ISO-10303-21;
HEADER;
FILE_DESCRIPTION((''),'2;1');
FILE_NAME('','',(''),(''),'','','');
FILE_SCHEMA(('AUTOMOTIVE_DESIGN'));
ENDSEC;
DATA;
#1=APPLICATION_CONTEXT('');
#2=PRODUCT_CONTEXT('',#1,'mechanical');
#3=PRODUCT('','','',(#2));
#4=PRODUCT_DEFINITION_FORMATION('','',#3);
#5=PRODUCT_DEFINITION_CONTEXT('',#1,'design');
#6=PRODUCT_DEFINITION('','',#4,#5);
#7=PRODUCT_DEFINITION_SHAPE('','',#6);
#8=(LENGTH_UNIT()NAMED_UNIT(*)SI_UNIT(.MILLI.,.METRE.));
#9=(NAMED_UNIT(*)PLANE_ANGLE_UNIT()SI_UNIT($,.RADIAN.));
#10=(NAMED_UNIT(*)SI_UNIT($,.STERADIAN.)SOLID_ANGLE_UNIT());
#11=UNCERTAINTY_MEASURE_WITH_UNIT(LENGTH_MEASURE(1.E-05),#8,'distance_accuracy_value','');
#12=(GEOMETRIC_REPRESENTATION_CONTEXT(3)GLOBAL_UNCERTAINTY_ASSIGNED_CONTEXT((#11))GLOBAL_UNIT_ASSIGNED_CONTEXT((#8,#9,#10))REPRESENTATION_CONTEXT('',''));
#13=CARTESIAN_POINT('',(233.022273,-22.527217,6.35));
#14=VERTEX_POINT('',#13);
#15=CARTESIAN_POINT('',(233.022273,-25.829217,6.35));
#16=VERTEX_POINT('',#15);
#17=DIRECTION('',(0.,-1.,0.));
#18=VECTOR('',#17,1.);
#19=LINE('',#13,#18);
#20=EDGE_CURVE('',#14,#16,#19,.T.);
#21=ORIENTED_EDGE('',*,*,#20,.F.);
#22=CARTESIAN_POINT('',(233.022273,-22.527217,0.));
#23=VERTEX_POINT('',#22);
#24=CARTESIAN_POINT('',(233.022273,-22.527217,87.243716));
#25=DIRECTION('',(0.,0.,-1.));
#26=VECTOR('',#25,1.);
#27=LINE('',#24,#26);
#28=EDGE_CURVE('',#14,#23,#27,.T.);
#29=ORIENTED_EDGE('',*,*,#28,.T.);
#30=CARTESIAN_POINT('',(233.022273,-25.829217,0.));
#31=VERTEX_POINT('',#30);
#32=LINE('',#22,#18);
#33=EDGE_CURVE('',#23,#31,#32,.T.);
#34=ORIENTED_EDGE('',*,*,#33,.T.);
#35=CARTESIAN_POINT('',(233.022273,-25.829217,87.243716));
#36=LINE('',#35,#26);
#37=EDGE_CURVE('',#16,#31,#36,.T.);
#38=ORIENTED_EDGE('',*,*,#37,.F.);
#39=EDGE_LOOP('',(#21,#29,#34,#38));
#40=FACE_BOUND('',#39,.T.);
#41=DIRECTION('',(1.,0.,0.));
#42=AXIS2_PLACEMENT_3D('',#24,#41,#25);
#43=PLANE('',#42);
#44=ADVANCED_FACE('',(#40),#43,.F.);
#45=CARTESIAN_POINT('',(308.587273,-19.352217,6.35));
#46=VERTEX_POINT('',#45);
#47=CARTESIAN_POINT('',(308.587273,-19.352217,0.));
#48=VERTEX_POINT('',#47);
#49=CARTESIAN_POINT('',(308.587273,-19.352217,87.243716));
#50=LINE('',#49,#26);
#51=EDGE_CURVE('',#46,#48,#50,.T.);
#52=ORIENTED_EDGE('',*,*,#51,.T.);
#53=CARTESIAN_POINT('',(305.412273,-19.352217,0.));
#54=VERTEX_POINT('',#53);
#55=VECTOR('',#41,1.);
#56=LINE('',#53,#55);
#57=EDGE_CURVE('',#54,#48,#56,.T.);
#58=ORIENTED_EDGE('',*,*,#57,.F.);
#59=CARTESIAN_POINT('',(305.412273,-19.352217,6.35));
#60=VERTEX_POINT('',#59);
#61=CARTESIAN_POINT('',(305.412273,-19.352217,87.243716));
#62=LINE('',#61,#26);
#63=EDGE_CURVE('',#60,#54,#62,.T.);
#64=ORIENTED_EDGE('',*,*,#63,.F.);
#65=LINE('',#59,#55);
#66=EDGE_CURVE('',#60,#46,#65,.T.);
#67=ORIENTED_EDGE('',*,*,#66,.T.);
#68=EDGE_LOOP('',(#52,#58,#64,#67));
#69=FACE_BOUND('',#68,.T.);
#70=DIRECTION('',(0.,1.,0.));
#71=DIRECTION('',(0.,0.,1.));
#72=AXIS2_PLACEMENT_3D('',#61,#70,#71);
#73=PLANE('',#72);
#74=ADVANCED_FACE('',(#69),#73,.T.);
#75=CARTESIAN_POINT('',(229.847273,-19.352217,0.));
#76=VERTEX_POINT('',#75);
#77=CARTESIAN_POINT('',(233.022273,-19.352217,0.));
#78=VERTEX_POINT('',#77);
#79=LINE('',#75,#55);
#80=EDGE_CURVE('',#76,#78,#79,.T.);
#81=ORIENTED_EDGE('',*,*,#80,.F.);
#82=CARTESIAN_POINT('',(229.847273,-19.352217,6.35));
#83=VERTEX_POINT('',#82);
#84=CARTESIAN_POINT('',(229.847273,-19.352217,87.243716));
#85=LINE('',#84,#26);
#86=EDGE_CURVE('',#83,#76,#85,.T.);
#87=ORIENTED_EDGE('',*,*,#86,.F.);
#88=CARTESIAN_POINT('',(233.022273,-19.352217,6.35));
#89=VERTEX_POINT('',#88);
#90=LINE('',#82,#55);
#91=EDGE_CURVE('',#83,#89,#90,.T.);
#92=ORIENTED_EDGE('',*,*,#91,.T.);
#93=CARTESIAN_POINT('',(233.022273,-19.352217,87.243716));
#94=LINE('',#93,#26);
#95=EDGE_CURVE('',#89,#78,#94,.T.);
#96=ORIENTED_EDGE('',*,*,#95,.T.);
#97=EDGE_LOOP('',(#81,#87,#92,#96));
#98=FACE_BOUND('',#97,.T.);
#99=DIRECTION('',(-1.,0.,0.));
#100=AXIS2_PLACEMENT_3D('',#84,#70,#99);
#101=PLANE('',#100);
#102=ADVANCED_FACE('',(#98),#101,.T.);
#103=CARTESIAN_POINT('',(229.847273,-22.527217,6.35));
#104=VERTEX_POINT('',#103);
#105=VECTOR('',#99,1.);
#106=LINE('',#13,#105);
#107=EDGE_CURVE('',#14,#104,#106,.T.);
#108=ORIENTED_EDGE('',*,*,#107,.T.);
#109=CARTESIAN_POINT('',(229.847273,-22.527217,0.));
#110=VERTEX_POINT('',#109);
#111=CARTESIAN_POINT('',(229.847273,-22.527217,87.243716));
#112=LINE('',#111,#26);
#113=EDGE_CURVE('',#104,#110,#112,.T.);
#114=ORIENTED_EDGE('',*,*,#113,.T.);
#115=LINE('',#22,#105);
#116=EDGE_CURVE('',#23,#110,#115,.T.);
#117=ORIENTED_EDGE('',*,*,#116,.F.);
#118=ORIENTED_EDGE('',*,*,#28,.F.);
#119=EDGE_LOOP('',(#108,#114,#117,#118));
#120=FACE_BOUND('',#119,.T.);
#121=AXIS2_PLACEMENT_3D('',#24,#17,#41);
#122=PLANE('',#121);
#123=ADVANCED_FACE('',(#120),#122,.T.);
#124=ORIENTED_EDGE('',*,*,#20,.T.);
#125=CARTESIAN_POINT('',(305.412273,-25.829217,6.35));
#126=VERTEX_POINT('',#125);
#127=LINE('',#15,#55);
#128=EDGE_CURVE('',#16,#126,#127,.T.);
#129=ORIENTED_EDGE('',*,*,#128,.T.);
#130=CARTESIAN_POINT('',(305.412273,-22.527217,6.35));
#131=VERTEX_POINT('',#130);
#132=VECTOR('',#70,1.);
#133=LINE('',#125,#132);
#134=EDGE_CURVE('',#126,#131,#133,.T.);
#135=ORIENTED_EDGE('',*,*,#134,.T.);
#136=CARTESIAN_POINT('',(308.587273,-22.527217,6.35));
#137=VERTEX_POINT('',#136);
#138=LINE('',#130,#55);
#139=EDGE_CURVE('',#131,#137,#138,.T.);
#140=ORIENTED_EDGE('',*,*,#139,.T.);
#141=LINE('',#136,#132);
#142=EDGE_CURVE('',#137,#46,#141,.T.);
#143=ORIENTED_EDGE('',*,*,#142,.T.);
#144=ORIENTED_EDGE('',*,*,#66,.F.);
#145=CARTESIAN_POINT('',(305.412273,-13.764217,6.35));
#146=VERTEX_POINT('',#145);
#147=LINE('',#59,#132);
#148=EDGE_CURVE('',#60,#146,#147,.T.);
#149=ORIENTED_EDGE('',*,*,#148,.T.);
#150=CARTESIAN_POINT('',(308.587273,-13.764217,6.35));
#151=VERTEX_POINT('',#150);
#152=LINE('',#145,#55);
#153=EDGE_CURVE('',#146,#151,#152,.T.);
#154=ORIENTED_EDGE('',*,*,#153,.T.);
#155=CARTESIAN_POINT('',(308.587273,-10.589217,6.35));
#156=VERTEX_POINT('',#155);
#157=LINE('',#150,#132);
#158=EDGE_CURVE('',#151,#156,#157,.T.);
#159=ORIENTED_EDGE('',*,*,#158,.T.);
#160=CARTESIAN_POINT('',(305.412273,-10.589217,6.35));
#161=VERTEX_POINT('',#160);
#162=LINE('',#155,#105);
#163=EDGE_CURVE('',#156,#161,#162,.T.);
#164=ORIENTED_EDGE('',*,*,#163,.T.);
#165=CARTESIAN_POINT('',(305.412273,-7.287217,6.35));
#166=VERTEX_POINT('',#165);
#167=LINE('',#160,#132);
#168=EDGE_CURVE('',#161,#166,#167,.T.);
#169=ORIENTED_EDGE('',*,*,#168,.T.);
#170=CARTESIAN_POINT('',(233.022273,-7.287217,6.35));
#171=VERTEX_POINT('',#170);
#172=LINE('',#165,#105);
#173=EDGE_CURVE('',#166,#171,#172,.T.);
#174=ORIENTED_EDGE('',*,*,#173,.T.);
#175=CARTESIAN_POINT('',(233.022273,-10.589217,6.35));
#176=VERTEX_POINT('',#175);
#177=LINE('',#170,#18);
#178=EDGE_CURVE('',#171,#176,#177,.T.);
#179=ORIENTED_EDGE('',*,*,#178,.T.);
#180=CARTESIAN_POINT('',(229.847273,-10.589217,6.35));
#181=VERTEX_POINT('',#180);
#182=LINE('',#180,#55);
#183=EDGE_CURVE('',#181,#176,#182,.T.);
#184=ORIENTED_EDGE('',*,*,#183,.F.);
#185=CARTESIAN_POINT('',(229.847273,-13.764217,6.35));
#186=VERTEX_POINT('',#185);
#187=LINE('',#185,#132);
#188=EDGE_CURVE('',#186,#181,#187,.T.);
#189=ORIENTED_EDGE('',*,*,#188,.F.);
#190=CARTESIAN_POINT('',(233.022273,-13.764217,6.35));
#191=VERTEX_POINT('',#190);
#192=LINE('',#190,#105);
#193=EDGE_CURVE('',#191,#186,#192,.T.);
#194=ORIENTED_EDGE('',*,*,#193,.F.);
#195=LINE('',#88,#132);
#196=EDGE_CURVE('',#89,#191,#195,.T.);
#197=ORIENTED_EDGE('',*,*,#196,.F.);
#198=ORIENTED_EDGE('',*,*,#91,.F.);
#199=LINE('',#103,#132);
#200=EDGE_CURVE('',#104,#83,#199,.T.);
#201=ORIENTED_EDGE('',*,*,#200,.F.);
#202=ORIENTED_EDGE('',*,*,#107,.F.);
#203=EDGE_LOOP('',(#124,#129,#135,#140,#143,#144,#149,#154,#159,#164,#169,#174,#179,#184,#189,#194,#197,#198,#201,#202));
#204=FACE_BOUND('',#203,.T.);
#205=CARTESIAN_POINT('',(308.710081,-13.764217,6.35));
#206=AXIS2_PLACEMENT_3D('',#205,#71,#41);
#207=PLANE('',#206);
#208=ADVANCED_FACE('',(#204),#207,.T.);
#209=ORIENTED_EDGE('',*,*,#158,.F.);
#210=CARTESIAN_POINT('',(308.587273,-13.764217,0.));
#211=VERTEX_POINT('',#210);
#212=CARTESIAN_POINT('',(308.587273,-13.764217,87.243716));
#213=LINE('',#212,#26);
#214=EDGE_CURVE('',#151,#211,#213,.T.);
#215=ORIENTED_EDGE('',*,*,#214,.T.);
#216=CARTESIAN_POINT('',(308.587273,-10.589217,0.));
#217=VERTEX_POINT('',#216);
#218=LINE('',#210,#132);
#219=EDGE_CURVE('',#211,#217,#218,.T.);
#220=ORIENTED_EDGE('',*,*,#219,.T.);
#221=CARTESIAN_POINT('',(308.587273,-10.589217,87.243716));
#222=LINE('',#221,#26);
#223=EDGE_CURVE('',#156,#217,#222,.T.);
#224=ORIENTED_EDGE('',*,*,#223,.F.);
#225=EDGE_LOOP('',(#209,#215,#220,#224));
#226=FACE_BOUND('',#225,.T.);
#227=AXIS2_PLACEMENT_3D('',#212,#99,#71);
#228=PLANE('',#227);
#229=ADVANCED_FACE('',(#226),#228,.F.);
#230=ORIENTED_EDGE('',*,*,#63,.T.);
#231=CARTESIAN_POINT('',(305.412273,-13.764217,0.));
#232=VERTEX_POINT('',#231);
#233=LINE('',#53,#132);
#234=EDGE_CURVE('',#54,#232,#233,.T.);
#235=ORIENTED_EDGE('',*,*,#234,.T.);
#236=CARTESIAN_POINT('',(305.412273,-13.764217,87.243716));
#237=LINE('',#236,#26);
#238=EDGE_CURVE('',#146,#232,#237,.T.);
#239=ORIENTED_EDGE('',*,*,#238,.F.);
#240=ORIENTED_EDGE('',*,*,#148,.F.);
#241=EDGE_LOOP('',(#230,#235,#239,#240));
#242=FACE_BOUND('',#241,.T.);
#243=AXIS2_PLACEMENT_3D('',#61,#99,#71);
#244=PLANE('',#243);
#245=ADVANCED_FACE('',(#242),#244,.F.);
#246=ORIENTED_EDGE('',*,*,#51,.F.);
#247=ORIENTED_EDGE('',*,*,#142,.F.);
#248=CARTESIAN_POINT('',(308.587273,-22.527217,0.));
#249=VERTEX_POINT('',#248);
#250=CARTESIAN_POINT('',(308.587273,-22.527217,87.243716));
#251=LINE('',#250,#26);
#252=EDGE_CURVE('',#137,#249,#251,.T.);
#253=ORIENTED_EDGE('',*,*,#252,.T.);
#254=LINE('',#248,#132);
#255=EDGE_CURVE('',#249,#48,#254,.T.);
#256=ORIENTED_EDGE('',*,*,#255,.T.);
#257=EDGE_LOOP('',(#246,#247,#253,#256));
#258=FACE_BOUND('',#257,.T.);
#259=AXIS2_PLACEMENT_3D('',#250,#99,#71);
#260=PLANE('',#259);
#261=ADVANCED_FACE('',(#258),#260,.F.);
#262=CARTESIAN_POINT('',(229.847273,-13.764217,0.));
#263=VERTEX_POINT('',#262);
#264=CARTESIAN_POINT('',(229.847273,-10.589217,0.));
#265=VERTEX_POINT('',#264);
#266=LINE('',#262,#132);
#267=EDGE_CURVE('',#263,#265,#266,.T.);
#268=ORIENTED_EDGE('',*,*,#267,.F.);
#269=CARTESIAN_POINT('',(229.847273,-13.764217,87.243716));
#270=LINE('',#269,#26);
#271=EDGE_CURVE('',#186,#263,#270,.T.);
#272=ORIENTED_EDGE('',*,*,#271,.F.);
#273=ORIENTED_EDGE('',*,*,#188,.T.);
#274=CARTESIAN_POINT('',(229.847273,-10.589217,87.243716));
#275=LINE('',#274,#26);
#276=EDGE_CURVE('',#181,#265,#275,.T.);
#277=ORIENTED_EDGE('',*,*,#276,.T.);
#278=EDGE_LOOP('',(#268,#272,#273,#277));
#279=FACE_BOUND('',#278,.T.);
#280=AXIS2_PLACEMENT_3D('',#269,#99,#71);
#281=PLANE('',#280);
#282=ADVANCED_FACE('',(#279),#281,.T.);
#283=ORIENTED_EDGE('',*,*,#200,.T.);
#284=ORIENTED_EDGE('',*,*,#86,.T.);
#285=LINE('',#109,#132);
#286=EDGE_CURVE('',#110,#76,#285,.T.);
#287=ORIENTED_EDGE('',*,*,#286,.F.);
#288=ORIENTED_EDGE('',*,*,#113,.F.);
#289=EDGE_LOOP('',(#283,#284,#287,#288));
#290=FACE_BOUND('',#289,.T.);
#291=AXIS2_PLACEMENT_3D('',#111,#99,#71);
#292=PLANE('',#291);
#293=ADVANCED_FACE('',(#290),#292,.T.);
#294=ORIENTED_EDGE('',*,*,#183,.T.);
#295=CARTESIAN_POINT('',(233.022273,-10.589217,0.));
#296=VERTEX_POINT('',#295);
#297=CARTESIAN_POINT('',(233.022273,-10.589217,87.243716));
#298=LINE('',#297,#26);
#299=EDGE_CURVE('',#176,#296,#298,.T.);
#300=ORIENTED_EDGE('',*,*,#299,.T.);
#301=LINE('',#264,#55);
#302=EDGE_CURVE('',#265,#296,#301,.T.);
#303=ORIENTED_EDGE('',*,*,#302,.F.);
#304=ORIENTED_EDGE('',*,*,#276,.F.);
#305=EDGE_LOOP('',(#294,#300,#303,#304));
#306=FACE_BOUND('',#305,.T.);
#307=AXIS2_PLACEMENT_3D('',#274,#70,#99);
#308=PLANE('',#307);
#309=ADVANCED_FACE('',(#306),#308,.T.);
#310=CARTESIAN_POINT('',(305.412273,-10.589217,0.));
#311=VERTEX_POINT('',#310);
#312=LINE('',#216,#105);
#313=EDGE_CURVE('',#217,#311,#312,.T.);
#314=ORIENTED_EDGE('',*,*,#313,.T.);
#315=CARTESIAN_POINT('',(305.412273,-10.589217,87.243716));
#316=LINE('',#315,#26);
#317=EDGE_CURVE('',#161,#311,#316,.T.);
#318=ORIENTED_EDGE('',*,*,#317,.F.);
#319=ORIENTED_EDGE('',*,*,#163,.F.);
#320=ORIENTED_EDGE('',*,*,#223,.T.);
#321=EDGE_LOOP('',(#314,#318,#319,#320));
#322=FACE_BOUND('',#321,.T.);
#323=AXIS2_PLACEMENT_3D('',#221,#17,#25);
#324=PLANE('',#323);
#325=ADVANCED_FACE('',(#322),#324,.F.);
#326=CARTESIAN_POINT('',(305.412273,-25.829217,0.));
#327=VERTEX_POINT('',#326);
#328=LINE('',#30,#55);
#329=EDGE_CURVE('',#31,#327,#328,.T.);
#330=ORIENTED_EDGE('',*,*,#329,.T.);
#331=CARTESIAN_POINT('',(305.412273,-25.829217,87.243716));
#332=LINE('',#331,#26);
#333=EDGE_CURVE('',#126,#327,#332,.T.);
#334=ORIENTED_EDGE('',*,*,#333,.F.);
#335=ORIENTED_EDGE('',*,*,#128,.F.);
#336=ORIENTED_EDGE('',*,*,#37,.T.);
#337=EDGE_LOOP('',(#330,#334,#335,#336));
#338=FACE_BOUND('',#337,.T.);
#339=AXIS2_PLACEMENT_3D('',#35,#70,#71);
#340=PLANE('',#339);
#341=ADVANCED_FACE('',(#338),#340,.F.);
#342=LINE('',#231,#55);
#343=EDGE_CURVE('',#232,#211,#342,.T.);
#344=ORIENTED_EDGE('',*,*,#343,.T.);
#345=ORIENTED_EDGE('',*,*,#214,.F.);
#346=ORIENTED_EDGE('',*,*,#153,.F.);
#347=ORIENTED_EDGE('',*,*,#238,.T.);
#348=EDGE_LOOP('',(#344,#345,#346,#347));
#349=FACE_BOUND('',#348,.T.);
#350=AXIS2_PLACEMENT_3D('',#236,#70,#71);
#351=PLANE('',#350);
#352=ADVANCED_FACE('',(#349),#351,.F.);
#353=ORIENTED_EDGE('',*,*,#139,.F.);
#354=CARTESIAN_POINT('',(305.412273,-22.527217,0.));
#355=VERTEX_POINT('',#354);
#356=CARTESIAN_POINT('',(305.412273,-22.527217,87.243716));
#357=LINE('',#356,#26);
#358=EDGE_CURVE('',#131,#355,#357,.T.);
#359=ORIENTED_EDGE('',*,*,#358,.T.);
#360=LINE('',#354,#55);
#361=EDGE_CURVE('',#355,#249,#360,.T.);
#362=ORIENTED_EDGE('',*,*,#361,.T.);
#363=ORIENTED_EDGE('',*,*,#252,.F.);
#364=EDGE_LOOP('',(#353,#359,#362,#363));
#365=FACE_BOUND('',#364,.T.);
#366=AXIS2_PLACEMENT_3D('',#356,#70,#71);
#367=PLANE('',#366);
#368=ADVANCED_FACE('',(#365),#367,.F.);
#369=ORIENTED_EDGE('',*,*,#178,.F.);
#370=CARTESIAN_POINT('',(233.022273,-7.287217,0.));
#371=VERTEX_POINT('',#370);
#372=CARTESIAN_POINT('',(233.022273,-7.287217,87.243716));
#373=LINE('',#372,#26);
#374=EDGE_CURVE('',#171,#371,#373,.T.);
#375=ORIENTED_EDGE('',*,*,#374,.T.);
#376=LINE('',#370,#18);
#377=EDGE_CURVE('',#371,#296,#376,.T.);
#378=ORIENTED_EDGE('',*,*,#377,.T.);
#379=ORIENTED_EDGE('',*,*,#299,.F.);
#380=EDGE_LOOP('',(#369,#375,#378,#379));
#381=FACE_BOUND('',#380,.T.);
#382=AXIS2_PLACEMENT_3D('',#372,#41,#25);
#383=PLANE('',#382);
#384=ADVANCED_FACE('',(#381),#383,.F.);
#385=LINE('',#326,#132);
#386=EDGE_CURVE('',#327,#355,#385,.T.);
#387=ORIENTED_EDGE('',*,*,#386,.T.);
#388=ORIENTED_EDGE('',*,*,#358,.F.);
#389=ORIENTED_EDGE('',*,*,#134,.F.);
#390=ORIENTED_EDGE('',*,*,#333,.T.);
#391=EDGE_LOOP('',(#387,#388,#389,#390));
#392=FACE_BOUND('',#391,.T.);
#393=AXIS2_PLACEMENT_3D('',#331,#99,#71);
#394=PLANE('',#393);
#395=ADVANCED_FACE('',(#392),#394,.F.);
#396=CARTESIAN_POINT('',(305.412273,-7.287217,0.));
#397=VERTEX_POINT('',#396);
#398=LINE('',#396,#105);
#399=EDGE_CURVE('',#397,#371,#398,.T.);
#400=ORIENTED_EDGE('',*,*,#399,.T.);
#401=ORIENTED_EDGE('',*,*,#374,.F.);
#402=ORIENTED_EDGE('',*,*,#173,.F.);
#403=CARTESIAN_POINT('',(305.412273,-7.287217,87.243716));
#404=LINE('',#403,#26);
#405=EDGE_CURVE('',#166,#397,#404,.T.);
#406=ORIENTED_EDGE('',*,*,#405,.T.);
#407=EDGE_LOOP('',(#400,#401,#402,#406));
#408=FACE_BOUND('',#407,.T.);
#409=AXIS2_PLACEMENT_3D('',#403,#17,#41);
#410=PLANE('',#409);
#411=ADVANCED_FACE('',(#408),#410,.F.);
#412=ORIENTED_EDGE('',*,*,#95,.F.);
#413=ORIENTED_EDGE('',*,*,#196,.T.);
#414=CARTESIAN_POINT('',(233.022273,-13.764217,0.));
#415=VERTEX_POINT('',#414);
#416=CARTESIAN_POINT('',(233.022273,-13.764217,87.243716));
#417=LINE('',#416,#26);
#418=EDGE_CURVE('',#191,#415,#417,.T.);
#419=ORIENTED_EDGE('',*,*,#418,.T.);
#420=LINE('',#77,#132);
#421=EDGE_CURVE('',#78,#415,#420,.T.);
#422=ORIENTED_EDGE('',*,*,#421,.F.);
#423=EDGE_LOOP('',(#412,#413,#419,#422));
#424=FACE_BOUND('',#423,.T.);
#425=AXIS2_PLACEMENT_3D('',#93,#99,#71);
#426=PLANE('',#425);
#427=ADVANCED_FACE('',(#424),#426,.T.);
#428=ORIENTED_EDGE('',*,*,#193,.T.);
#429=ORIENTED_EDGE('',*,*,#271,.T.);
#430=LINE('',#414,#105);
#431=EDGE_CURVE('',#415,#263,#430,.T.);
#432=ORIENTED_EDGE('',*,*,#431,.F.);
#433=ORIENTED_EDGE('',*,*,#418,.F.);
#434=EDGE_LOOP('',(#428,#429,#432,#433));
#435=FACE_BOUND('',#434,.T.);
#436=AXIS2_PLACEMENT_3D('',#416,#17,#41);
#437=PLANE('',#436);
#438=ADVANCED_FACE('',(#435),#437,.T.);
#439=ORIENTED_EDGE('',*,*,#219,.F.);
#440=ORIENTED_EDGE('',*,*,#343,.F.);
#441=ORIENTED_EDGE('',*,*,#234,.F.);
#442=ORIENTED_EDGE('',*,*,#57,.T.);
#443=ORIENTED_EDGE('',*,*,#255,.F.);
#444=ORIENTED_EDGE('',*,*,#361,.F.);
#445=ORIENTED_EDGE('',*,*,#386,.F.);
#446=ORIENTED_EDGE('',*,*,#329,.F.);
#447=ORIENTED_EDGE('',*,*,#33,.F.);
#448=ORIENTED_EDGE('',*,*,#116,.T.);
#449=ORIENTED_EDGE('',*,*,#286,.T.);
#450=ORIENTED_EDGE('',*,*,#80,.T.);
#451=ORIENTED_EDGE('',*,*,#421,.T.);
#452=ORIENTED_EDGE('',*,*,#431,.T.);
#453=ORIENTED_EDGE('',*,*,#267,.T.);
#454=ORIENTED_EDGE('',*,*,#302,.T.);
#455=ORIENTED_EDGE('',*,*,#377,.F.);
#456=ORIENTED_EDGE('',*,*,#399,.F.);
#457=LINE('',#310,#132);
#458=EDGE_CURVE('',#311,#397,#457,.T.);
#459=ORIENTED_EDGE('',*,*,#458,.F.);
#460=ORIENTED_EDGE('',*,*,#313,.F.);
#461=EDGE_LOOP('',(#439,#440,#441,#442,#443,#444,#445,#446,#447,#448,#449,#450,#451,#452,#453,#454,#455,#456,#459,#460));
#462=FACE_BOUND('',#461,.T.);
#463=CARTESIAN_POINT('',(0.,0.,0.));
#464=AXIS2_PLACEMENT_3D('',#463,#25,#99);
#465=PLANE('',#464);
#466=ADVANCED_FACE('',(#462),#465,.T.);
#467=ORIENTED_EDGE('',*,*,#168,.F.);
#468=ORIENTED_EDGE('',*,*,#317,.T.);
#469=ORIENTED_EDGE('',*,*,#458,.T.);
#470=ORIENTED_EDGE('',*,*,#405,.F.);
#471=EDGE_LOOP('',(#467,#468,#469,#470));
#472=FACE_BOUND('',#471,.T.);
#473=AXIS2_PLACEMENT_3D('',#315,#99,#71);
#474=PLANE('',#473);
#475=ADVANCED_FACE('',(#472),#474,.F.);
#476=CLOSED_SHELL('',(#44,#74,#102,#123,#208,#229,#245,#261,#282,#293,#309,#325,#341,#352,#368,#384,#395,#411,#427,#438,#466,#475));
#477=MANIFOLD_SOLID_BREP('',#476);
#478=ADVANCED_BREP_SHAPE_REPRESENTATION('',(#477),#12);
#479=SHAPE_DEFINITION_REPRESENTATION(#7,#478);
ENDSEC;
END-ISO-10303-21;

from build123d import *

# Parameters (mm, degrees)
BOSS_EXTRUDE1_DEPTH = 6.35


with BuildPart() as part:
    # Sketch1 → Boss-Extrude1 (new body)
    with BuildSketch(Plane.XY):
        Polygon((305.412272516, -22.527216546), (308.587272516, -22.527216546), (308.587272516, -19.352216546), (305.412272516, -19.352216546), (305.412272516, -13.764216546), (308.587272516, -13.764216546), (308.587272516, -10.589216546), (305.412272516, -10.589216546), (305.412272516, -7.287216546), (233.022272516, -7.287216546), (233.022272516, -10.589216546), (229.847272516, -10.589216546), (229.847272516, -13.764216546), (233.022272516, -13.764216546), (233.022272516, -19.352216546), (229.847272516, -19.352216546), (229.847272516, -22.527216546), (233.022272516, -22.527216546), (233.022272516, -25.829216546), (305.412272516, -25.829216546), align=None)
    extrude(amount=BOSS_EXTRUDE1_DEPTH)


solid = part.part
